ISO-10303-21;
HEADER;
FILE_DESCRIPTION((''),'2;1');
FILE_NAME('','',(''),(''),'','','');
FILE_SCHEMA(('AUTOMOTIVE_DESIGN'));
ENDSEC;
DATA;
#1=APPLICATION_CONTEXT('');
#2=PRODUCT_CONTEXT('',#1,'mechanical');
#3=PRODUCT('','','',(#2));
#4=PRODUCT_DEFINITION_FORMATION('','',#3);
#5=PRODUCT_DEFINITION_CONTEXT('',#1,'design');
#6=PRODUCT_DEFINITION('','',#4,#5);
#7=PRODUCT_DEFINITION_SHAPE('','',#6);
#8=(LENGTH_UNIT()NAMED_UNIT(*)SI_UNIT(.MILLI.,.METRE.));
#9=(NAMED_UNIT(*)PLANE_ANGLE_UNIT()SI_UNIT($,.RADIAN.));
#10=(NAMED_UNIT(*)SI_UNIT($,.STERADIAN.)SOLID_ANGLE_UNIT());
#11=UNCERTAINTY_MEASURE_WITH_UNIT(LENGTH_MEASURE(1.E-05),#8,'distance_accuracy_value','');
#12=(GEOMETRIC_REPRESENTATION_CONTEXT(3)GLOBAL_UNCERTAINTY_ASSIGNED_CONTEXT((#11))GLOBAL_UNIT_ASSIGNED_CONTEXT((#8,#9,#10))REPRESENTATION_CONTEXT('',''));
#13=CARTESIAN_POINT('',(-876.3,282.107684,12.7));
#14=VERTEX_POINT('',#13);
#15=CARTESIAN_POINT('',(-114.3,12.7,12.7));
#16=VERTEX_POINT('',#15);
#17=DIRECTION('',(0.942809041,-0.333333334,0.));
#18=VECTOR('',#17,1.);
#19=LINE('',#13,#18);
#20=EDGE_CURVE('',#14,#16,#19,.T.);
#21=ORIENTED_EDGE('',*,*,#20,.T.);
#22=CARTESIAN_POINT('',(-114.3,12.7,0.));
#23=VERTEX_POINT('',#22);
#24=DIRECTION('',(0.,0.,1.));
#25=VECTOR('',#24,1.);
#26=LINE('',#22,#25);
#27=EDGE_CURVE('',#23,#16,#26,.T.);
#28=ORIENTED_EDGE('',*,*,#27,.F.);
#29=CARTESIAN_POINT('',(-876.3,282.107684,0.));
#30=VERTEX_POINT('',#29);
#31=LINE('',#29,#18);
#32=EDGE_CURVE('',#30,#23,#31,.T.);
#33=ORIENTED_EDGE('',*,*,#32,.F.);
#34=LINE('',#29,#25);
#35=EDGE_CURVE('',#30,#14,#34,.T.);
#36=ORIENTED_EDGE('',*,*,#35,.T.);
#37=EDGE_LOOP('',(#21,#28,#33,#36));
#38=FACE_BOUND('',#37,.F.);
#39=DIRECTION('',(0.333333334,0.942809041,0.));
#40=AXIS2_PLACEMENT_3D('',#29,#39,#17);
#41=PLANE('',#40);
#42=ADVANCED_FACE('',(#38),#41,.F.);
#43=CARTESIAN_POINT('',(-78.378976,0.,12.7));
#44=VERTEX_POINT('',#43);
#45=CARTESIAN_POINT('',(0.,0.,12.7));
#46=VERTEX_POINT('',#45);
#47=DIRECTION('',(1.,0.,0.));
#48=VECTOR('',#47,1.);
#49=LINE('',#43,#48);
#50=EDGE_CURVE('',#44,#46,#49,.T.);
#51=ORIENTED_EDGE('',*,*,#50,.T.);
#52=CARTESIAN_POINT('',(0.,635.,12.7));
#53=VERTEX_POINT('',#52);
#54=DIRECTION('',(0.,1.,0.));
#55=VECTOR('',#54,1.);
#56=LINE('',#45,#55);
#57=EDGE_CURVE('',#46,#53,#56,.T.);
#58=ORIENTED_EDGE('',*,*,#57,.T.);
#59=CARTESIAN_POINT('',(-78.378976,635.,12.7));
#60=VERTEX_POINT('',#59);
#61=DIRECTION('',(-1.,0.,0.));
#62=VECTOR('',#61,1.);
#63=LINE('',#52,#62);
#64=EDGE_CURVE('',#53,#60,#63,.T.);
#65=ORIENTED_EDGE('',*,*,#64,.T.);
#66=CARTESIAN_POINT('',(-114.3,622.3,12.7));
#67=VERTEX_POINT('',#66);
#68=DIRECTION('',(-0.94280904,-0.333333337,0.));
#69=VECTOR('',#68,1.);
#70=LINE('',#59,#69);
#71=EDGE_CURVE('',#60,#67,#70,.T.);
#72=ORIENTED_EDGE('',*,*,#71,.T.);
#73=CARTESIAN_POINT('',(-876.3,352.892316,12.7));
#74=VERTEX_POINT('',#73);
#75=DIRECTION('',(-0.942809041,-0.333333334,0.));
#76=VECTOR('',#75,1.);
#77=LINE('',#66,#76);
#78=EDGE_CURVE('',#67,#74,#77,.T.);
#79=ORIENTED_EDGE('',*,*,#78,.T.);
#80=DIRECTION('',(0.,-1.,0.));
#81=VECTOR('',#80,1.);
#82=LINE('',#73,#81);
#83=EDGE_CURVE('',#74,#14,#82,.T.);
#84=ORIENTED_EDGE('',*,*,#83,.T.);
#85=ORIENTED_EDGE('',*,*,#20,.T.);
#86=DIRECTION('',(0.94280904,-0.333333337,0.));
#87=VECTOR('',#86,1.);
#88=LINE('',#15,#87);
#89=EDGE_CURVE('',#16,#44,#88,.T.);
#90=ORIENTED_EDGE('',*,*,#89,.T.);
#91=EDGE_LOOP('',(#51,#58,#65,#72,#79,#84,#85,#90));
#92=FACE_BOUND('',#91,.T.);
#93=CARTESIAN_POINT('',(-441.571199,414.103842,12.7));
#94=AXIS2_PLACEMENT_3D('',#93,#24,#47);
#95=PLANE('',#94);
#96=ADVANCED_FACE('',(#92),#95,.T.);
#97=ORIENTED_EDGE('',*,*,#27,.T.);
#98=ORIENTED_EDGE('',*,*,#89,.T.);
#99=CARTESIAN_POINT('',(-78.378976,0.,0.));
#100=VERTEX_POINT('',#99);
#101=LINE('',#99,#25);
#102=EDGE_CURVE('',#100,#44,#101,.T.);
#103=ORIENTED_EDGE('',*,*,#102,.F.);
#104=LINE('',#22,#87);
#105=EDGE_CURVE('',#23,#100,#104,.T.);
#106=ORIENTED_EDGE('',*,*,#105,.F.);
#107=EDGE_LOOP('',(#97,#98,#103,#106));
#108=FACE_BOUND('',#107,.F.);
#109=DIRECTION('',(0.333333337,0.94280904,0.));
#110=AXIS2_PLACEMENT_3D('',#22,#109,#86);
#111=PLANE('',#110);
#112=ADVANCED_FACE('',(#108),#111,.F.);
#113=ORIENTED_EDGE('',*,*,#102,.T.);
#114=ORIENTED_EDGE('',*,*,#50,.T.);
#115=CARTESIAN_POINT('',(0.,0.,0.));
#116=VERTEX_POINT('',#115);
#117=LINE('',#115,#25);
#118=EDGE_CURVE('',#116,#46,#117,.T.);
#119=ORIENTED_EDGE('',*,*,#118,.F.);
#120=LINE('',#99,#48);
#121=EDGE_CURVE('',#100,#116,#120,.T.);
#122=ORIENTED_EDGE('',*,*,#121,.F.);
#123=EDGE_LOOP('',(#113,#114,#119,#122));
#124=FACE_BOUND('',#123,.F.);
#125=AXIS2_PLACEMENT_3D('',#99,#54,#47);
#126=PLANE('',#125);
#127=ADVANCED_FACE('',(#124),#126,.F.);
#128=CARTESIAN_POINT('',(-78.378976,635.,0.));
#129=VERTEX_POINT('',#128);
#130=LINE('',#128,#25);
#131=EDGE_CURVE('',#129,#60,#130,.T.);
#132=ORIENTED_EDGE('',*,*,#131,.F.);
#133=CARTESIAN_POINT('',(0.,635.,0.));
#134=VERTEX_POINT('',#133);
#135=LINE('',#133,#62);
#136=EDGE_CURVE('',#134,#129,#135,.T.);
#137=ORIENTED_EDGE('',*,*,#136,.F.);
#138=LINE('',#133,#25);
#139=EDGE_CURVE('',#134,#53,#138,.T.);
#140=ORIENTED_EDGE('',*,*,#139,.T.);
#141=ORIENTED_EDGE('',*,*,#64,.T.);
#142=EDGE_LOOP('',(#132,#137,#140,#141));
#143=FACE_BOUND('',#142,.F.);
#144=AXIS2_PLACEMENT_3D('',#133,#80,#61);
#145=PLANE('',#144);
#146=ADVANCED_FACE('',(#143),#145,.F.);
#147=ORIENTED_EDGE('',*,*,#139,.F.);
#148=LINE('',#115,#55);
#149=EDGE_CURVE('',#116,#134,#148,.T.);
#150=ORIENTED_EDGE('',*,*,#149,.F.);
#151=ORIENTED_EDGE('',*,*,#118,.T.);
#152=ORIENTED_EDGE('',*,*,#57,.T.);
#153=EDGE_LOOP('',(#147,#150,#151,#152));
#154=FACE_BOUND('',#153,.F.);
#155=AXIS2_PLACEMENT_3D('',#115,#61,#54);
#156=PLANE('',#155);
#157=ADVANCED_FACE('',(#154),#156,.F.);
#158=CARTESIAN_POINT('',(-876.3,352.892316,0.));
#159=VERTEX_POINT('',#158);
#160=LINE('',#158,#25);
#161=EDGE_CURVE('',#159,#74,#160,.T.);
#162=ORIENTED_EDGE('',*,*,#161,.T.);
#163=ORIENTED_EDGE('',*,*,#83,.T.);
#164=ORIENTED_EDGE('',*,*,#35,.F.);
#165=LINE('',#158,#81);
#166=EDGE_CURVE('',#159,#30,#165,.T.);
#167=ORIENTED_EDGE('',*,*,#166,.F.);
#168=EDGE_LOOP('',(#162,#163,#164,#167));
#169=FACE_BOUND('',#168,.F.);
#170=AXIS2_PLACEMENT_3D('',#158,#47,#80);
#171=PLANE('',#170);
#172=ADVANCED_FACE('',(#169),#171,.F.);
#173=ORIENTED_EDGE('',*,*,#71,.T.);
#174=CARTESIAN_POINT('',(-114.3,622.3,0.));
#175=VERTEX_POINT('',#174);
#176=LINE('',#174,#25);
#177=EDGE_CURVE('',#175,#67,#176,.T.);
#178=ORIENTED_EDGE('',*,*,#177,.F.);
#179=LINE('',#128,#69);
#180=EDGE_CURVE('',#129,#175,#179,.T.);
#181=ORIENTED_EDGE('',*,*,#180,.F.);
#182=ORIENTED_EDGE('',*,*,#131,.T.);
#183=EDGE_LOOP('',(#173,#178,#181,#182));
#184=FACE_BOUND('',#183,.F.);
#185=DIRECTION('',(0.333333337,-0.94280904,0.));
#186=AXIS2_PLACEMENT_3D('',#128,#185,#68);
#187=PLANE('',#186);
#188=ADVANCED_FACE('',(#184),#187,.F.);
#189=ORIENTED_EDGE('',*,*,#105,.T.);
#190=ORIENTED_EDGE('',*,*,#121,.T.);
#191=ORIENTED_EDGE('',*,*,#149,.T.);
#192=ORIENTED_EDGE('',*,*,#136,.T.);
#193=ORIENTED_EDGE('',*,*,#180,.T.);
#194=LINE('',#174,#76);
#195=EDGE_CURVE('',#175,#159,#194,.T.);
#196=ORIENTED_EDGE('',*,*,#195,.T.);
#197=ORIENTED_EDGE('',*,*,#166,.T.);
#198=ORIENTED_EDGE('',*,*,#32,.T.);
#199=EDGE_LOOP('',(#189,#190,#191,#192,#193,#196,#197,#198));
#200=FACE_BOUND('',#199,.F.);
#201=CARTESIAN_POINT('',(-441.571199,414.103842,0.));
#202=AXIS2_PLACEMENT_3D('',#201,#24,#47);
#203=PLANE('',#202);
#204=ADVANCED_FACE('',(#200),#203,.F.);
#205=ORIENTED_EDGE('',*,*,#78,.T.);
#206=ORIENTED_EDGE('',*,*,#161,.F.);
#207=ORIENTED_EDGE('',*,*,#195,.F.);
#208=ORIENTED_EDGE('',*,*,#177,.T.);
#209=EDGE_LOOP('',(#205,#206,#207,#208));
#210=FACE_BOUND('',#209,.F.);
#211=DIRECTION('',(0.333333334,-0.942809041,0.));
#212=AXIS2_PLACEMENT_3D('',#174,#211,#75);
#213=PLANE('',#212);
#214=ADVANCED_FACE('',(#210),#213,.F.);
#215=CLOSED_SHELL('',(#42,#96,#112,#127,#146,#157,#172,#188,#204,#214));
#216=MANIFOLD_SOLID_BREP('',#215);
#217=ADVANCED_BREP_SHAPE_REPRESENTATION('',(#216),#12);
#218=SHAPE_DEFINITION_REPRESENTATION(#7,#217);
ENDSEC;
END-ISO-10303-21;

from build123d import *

# Parameters (mm, degrees)
F1_DEPTH = 12.7


with BuildPart() as f1:
    # F0 (on Top) → F1 (new body)
    with BuildSketch(Plane.XY):
        Polygon((-876.3, 317.5), (-114.3, 317.5), (-114.3, 622.3), (-876.3, 352.892316), align=None)
        Polygon((-876.3, 282.107684), (-114.3, 12.7), (-114.3, 317.5), (-876.3, 317.5), align=None)
        Polygon((-78.378976, 0), (0, 0), (0, 635), (-78.378976, 635), (-114.3, 622.3), (-114.3, 317.5), (-114.3, 12.7), align=None)
    extrude(amount=F1_DEPTH)


solid = f1.part
